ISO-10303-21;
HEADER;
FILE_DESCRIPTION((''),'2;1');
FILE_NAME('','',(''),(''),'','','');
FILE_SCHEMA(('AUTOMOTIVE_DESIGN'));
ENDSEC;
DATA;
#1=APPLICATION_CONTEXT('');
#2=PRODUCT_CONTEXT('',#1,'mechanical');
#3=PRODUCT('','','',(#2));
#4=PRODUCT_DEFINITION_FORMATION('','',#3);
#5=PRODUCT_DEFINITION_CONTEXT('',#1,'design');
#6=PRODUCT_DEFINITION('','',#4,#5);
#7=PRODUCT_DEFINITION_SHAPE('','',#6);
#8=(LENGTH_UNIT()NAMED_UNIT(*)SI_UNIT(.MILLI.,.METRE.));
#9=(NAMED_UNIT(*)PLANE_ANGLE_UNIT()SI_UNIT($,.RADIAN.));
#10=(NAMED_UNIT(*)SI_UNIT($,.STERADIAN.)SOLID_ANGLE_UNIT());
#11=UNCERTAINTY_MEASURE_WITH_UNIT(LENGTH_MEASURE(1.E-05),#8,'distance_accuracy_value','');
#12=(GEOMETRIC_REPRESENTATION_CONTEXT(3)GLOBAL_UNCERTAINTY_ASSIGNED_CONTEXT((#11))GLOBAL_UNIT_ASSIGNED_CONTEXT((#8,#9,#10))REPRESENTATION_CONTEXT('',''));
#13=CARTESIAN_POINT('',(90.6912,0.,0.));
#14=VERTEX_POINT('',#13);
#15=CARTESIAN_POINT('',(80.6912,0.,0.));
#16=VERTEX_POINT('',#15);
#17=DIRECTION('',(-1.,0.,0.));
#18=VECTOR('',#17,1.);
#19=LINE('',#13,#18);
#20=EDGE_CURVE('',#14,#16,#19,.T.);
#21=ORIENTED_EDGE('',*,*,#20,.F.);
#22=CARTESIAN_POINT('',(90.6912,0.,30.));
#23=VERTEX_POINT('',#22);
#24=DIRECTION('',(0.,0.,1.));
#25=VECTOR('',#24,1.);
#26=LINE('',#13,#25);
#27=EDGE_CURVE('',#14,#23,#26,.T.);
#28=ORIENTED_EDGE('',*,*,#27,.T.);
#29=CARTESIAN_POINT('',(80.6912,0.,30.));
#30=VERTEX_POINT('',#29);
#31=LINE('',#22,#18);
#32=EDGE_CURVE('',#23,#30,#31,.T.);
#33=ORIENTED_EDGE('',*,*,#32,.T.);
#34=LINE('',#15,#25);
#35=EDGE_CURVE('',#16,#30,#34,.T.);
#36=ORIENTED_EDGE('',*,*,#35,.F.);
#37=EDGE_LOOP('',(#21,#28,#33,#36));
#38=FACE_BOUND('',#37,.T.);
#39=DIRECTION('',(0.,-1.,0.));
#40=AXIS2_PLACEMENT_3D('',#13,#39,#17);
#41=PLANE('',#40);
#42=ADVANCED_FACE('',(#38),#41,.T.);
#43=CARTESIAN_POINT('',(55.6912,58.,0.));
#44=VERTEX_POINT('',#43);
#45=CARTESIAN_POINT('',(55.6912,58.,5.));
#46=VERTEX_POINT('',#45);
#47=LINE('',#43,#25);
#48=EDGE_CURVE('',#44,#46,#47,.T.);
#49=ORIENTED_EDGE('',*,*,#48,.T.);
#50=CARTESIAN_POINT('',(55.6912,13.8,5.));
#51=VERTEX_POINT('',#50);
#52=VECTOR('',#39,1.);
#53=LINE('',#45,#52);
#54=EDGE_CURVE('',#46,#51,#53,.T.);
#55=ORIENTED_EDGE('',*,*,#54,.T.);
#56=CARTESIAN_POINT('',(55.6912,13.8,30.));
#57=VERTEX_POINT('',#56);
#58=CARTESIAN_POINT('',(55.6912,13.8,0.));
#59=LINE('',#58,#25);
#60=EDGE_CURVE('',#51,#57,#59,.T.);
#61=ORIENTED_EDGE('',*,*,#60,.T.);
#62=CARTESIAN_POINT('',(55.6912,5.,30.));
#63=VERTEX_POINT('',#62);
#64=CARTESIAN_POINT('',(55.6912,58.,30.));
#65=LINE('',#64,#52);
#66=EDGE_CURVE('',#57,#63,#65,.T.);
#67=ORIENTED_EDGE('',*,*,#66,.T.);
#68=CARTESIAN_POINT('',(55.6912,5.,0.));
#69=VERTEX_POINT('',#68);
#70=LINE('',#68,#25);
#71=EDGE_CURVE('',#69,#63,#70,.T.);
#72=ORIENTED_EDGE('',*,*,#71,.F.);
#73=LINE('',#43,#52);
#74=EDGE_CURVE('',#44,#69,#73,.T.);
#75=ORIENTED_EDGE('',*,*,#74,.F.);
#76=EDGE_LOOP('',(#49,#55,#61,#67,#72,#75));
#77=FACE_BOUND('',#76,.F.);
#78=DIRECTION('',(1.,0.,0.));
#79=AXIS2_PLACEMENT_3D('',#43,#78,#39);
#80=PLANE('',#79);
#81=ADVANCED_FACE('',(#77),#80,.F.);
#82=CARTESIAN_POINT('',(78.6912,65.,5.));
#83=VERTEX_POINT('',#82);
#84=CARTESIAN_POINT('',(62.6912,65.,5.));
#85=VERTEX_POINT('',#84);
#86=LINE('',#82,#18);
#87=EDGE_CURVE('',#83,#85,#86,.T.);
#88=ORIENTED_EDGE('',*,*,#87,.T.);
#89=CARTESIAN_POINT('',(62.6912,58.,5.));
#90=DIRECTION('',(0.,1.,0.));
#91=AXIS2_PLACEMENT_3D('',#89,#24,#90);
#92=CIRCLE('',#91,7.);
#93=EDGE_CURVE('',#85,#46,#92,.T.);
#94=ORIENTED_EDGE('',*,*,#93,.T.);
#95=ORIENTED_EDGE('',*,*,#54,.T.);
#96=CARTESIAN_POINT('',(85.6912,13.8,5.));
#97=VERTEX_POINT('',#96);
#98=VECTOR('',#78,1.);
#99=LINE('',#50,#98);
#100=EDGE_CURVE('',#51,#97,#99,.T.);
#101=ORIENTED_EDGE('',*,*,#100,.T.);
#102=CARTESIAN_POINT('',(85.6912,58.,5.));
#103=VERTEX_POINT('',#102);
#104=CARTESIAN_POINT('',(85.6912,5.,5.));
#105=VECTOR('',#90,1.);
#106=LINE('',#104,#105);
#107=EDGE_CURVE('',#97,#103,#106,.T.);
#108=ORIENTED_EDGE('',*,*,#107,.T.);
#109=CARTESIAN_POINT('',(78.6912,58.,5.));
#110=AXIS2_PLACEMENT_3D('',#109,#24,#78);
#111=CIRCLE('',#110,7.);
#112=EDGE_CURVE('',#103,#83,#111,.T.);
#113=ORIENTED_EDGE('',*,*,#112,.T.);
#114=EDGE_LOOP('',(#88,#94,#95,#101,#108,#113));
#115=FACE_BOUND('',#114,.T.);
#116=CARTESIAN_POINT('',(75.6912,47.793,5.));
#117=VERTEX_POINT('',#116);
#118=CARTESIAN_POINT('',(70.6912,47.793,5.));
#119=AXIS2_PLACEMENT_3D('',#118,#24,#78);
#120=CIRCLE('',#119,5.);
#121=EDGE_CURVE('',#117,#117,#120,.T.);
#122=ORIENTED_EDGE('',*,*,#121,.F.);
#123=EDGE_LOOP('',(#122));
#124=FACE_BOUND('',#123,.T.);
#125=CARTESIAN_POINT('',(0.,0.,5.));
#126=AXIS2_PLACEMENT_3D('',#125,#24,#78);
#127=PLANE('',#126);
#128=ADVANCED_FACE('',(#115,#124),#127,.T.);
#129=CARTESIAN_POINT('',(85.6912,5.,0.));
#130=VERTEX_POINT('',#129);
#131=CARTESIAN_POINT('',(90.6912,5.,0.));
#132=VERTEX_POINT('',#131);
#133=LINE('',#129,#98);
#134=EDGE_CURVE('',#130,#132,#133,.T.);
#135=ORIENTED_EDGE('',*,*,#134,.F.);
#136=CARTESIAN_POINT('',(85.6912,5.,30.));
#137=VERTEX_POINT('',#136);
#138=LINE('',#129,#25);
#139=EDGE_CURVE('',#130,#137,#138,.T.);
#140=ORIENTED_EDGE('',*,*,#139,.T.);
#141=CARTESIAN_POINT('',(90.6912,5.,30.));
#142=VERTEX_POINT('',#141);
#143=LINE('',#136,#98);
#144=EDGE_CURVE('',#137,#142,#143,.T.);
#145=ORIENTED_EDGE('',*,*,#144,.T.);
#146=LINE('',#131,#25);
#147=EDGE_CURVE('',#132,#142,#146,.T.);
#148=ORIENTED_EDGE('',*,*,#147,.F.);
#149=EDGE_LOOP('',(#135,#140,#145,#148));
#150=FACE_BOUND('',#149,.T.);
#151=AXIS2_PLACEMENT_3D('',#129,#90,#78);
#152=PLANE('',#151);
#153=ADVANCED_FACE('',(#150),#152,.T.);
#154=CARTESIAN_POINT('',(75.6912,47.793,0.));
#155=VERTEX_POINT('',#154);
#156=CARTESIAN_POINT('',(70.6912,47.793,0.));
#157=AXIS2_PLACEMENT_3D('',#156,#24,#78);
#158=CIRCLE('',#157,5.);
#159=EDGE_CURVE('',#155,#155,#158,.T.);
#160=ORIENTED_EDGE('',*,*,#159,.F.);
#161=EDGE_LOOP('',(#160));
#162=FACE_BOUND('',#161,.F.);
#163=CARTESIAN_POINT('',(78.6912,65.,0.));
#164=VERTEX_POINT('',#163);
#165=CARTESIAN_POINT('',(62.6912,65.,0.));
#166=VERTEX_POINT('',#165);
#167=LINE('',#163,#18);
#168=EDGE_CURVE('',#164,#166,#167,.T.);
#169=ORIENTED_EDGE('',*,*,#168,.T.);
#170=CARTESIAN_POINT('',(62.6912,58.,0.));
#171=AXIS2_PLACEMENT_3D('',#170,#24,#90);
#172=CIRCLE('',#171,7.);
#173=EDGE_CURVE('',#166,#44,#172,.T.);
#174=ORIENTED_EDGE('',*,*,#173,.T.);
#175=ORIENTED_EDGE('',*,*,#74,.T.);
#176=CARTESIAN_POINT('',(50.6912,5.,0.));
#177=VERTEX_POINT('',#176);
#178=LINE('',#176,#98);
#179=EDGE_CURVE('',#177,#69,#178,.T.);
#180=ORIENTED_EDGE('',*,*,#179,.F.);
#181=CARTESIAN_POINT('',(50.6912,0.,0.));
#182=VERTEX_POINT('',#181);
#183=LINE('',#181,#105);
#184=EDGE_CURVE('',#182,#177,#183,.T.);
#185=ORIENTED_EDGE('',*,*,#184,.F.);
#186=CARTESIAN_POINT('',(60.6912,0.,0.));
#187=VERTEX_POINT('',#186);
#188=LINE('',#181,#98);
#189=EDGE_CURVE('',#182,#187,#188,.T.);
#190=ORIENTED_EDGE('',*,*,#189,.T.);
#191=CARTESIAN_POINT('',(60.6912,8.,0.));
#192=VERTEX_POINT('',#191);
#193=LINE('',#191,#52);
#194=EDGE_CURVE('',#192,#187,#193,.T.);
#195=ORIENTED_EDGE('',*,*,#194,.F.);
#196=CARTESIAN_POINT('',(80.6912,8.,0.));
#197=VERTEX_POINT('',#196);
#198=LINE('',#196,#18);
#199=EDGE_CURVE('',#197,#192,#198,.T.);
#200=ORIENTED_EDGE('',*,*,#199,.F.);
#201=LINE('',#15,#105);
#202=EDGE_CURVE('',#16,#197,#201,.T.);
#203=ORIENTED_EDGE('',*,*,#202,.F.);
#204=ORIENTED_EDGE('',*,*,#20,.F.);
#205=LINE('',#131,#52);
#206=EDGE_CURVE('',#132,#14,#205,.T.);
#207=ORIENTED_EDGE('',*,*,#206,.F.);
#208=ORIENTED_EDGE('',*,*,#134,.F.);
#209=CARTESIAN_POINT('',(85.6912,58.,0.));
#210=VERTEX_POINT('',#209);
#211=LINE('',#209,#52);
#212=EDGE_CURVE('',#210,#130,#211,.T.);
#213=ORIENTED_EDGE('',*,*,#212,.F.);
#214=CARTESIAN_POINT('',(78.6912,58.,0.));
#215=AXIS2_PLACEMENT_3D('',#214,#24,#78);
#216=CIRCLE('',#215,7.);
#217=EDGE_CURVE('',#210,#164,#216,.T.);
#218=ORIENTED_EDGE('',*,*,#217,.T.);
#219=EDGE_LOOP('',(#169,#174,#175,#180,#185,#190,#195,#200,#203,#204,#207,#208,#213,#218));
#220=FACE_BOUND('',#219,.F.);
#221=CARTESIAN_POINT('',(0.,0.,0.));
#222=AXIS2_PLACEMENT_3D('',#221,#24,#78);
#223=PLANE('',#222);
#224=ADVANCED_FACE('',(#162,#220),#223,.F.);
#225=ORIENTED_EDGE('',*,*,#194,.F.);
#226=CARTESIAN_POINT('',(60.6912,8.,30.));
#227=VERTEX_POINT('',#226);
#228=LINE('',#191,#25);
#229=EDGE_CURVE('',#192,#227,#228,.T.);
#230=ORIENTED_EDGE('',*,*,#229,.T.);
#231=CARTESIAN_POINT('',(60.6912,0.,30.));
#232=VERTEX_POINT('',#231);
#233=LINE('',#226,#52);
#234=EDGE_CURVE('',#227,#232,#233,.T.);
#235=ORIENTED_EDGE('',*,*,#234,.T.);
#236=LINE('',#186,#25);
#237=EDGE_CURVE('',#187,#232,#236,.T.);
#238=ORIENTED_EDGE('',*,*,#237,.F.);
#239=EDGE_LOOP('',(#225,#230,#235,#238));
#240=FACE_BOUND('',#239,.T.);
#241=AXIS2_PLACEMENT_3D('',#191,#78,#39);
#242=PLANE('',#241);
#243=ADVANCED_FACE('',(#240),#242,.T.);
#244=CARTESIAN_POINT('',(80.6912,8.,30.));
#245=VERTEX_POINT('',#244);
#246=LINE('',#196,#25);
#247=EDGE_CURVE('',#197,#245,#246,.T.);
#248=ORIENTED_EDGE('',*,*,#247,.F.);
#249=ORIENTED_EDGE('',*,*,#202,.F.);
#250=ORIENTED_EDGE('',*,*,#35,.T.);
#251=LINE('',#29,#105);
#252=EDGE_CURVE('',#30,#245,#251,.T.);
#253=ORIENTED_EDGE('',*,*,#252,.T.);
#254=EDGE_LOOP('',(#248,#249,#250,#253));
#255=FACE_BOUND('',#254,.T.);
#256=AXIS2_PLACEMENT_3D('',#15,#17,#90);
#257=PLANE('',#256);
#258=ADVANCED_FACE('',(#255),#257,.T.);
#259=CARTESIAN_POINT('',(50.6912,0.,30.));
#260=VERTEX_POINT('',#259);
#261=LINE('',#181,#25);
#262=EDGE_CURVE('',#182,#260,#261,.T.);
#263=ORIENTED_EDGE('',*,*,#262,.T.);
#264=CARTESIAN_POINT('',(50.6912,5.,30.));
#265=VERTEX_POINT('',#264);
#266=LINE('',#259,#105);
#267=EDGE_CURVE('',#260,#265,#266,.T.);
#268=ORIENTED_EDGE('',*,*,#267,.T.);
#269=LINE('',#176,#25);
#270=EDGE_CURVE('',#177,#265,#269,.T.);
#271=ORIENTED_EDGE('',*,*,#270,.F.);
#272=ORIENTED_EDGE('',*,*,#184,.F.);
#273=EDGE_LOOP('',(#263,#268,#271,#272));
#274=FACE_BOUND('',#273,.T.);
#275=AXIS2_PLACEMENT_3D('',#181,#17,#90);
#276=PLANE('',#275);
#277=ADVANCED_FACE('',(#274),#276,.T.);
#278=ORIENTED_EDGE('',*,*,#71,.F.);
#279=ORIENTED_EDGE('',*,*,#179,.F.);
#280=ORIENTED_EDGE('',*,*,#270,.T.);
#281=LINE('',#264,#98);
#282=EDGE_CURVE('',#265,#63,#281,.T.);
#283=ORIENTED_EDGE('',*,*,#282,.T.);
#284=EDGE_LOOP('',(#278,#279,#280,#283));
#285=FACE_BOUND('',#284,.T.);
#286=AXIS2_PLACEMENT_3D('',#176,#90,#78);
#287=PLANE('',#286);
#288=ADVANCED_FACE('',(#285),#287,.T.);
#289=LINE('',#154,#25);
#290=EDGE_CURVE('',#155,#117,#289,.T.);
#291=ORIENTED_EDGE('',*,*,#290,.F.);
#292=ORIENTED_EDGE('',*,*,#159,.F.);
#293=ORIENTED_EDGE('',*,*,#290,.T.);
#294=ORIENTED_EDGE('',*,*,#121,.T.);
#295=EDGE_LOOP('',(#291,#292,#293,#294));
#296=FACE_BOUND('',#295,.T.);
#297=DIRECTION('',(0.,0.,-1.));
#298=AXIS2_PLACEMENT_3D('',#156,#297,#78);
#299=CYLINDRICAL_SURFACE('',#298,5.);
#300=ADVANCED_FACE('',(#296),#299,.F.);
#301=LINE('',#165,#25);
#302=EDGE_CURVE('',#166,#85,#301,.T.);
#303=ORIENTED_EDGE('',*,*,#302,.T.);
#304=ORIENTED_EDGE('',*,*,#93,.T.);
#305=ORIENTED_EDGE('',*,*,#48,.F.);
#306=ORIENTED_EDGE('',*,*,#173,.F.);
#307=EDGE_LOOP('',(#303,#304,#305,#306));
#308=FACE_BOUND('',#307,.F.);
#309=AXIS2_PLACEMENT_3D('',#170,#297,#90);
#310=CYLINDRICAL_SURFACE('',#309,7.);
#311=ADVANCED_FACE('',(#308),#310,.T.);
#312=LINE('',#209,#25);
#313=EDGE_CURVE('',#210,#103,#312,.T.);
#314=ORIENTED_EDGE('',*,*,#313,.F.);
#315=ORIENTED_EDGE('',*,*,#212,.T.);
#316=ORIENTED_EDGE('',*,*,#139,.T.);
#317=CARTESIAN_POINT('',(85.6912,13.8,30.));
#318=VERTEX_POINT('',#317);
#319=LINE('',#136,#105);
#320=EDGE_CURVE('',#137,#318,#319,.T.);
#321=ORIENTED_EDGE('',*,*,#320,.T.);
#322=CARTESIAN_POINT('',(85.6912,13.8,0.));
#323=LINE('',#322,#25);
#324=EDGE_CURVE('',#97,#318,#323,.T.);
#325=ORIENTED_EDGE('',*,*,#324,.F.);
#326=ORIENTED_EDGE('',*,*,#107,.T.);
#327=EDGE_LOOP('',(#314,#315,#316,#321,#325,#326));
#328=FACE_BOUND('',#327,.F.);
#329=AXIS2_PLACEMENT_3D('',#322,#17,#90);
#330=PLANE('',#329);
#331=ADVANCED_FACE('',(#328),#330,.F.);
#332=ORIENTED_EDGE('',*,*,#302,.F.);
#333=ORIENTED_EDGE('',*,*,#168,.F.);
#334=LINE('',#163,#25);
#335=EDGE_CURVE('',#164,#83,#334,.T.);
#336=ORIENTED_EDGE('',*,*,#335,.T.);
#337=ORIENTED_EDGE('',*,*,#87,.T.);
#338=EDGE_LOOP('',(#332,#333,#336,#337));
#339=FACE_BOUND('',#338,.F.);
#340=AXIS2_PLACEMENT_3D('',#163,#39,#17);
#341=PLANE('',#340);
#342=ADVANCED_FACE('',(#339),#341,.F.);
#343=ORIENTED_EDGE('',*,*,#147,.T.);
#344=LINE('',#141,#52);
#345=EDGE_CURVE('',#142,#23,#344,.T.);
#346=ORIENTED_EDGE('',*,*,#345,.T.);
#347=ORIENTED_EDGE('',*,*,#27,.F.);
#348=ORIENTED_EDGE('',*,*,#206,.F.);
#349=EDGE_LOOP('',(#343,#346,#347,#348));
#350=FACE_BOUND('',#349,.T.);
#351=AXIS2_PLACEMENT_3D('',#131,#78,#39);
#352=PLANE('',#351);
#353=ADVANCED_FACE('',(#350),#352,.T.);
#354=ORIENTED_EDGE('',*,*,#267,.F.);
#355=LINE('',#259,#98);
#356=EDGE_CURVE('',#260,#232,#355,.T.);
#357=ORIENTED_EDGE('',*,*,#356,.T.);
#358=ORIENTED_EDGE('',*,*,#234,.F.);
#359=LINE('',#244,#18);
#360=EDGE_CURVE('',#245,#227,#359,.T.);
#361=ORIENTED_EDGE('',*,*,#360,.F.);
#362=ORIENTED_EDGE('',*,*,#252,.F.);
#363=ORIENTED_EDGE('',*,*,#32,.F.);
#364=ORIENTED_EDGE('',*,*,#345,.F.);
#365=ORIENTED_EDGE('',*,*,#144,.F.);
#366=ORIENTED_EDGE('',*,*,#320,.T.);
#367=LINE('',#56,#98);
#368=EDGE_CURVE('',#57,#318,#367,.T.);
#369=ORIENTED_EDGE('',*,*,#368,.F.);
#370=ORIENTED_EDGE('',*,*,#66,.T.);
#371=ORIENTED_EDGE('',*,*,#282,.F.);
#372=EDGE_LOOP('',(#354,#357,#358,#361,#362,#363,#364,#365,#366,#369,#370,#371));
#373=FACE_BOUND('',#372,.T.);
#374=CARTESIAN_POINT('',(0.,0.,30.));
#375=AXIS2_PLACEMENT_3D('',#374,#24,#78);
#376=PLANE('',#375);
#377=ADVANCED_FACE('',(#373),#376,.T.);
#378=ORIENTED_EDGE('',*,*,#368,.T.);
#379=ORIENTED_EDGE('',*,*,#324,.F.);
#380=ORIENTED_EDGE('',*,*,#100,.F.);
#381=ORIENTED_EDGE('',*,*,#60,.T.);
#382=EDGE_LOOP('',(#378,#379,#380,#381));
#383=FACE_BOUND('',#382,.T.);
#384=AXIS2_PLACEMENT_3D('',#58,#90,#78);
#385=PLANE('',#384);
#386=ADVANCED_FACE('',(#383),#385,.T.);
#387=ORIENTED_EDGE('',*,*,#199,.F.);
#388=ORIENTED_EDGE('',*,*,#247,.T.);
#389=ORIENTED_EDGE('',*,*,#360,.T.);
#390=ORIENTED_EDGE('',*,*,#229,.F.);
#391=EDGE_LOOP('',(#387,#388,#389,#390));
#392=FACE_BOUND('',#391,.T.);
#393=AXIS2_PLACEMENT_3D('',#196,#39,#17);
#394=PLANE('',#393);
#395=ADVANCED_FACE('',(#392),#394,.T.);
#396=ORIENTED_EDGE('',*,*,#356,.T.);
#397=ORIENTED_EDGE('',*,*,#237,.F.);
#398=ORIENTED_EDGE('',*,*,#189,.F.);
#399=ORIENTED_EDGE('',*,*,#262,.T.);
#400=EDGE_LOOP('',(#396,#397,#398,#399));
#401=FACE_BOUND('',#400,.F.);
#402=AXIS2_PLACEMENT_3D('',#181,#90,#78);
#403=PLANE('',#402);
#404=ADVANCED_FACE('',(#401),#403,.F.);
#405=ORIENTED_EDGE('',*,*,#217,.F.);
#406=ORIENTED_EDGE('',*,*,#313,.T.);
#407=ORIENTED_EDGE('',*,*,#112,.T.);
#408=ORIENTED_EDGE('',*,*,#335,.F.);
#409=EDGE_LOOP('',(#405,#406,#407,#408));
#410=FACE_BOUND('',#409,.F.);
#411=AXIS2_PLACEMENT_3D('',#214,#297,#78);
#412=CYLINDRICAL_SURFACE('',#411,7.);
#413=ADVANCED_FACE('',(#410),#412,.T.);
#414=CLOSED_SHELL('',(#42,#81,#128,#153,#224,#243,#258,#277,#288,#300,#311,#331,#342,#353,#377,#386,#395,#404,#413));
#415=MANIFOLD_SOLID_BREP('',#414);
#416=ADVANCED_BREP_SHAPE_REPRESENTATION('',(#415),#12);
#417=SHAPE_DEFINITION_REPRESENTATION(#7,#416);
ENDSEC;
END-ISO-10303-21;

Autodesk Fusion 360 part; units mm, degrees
sketch "Sketch1" plane through (0, 0, 0) normal (0, 0, 1) x (1, 0, 0)
  line L0 (85.6912, 5) -> (85.6912, 58)
  line L1 (55.6912, 58) -> (55.6912, 5)
  line L2 (80.6912, 0) -> (80.6912, 8)
  line L3 (80.6912, 8) -> (60.6912, 8)
  line L4 (60.6912, 8) -> (60.6912, 0)
  line L5 (78.6912, 65) -> (62.6912, 65)
  line L6 (50.6912, 0) -> (60.6912, 0)
  circle A0 centre (70.6912, 47.793) radius 5
  line L7 (70.6912, 65) -> (70.6912, 26.651) construction
  line L8 (50.6912, 0) -> (50.6912, 5)
  line L9 (55.6912, 13.8) -> (85.6912, 13.8)
  line L10 (90.6912, 5) -> (90.6912, 0)
  line L11 (90.6912, 0) -> (80.6912, 0)
  line L12 (50.6912, 5) -> (55.6912, 5)
  line L13 (85.6912, 5) -> (90.6912, 5)
  arc A1 (62.6912, 65) -> (55.6912, 58) centre (62.6912, 58) ccw
  arc A2 (85.6912, 58) -> (78.6912, 65) centre (78.6912, 58) ccw
  dimension "d1" = 20
  dimension "d2" = 8
  dimension "d9" = 10
  dimension "d12" = 5.8
  dimension "d13" = 10
  dimension "d14" = 10
  dimension "d15" = 5
  dimension "d16" = 5
  dimension "d17" = 5
  dimension "d18" = 5
  dimension "d19" = 47.793
  dimension "d20" = 65
  dimension "d21" = 7
extrude "Extrude1" add sketch "Sketch1" along normal blind 5 contours L0 L1 L5 L9 A1 A2
extrude "Extrude2" add sketch "Sketch1" along normal blind 30 contours L0 L1 L2 L3 L4 L6 L8 L9 L10 L11 L12 L13
sketch "Sketch2" plane through (0, 13.8, 0) normal (0, 1, 0) x (-1, 0, 0)
  line L0 (-85.6912, 5) -> (-55.6912, 5)
  line L1 (-55.6912, 5) -> (-55.6912, 30)
  line L2 (-55.6912, 30) -> (-85.6912, 30)
  line L3 (-85.6912, 30) -> (-85.6912, 5)
  line L4 (-63.185, 12.5052) -> (-78.185, 12.5052) construction
  line L5 (-78.185, 12.5052) -> (-78.185, 22.5052) construction
  line L6 (-78.185, 22.5052) -> (-63.185, 22.5052) construction
  line L7 (-63.185, 22.5052) -> (-63.185, 12.5052) construction
  line L8 (-70.685, 17.4948) -> (-70.685, 17.5052)
  circle A0 centre (-63.185, 12.5052) radius 1.5
  circle A1 centre (-78.185, 12.5052) radius 1.5
  circle A2 centre (-78.185, 22.5052) radius 1.5
  circle A3 centre (-63.185, 22.5052) radius 1.5
  dimension "d26" = 15
  dimension "d27" = 10
  dimension "d28" = 3
extrude "Extrude3" cut sketch "Sketch2" along normal through all contours A0 | A1 | A2 | A3
